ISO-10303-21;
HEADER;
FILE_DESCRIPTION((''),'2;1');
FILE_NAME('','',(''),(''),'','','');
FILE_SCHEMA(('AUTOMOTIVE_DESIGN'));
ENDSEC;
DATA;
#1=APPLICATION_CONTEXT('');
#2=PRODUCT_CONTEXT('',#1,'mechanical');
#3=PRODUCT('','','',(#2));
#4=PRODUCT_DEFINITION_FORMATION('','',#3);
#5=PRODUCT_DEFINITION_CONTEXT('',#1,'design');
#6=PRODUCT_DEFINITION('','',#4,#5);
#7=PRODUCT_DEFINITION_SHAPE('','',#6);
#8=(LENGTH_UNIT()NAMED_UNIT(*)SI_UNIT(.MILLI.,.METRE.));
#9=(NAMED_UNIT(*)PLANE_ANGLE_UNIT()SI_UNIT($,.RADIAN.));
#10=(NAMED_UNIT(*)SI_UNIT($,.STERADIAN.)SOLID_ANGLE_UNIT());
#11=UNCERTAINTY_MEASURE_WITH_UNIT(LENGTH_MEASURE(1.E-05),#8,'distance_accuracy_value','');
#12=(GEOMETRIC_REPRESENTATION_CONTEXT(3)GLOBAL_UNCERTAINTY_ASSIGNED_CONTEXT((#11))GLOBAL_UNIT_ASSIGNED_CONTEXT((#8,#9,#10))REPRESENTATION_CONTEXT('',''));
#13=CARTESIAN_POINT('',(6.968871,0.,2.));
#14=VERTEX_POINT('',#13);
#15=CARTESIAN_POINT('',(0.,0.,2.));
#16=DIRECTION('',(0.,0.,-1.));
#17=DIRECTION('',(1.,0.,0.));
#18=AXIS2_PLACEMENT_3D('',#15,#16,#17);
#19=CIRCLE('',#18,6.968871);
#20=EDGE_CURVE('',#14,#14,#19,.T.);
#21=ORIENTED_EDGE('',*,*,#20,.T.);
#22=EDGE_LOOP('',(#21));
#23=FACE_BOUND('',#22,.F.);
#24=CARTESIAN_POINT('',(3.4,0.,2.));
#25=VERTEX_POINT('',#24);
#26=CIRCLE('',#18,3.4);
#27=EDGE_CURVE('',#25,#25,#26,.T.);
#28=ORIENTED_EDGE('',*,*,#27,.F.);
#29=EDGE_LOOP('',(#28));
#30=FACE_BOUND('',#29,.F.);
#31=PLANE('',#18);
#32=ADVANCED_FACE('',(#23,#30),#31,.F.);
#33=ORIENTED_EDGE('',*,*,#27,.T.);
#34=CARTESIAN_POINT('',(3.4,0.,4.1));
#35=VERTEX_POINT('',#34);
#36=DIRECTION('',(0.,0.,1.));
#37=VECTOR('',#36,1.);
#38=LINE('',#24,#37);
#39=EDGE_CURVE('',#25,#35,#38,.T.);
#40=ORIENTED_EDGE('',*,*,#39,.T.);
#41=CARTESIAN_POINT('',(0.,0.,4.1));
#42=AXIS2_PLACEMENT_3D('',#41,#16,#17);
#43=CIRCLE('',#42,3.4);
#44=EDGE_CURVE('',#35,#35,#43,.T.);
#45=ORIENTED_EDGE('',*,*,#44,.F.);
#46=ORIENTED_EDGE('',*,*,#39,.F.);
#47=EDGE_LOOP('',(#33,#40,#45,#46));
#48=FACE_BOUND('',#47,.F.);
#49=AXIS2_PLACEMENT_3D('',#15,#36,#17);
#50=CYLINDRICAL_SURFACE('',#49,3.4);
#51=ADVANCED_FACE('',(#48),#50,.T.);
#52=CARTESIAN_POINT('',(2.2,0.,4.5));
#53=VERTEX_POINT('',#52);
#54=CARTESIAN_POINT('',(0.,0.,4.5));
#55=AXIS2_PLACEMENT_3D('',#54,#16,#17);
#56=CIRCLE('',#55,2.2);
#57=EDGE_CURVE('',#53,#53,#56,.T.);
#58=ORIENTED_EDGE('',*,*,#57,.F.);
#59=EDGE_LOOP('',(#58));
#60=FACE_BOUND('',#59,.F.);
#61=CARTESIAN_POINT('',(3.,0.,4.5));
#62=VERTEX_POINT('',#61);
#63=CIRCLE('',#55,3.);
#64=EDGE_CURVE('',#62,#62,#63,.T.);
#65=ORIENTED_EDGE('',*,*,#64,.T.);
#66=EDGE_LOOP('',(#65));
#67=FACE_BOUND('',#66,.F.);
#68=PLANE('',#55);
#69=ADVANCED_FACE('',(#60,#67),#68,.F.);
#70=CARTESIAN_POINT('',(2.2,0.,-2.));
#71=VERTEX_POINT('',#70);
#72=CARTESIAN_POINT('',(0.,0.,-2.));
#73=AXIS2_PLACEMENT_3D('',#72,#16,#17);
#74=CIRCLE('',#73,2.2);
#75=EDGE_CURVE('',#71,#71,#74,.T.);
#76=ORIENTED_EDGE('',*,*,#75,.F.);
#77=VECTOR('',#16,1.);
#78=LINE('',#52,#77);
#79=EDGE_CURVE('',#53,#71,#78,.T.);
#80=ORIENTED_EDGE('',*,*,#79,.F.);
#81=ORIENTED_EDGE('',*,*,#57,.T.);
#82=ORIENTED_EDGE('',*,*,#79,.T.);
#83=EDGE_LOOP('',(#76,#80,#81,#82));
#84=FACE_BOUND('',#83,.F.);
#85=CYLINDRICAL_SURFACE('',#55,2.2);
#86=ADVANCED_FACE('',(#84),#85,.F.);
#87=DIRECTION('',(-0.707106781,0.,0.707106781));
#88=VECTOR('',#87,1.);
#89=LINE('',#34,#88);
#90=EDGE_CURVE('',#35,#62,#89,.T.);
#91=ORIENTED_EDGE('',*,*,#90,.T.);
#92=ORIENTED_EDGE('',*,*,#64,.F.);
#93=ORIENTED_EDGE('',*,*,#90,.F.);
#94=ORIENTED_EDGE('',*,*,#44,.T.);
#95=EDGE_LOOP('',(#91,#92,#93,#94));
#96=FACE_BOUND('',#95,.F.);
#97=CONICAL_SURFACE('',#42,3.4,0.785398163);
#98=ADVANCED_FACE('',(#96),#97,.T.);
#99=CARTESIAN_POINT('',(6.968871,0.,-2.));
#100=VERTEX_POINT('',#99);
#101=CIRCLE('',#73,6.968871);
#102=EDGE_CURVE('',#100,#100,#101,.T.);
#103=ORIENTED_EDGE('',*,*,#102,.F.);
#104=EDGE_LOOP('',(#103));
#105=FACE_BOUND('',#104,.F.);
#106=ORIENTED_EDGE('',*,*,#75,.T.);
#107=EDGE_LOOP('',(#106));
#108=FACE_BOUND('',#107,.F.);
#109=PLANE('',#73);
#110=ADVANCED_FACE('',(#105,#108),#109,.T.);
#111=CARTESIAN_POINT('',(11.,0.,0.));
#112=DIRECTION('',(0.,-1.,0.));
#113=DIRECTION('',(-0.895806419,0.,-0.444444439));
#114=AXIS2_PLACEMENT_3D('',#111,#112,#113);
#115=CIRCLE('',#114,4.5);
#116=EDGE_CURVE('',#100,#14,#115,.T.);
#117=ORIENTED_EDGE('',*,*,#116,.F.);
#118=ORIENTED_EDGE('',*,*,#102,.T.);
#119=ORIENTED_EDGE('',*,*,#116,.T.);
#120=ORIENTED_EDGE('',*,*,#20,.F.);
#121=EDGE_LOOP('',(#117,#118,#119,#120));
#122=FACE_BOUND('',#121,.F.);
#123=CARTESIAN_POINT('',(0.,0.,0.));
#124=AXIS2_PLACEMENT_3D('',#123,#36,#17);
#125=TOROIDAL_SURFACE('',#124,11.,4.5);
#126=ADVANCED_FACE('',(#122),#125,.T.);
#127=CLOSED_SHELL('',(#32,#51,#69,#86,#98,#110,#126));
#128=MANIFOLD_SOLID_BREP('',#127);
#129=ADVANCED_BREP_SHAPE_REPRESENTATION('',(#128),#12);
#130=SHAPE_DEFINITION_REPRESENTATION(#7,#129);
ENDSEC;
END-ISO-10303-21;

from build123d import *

# Parameters (mm, degrees)
F2_SIZE = 0.4


with BuildPart() as f1:
    # F0 (on Front) → F1 (revolve)
    with BuildSketch(Plane.XZ):
        with BuildLine():
            Line((2.2, -2), (6.968871, -2))
            ThreePointArc((6.968871, -2), (15.5, 0), (6.968871, 2))
            Line((6.968871, 2), (3.4, 2))
            Line((3.4, 2), (3.4, 4.5))
            Line((3.4, 4.5), (2.2, 4.5))
            Line((2.2, 4.5), (2.2, -2))
        make_face()
    revolve(axis=Axis((0, 0, -0.29173), (0, 0, -1)))

    # F2
    f2_edges = [f1.edges().sort_by_distance(p)[0] for p in [
        (-3.4, 0, 4.5),
    ]]
    chamfer(f2_edges, length=F2_SIZE)


solid = f1.part
